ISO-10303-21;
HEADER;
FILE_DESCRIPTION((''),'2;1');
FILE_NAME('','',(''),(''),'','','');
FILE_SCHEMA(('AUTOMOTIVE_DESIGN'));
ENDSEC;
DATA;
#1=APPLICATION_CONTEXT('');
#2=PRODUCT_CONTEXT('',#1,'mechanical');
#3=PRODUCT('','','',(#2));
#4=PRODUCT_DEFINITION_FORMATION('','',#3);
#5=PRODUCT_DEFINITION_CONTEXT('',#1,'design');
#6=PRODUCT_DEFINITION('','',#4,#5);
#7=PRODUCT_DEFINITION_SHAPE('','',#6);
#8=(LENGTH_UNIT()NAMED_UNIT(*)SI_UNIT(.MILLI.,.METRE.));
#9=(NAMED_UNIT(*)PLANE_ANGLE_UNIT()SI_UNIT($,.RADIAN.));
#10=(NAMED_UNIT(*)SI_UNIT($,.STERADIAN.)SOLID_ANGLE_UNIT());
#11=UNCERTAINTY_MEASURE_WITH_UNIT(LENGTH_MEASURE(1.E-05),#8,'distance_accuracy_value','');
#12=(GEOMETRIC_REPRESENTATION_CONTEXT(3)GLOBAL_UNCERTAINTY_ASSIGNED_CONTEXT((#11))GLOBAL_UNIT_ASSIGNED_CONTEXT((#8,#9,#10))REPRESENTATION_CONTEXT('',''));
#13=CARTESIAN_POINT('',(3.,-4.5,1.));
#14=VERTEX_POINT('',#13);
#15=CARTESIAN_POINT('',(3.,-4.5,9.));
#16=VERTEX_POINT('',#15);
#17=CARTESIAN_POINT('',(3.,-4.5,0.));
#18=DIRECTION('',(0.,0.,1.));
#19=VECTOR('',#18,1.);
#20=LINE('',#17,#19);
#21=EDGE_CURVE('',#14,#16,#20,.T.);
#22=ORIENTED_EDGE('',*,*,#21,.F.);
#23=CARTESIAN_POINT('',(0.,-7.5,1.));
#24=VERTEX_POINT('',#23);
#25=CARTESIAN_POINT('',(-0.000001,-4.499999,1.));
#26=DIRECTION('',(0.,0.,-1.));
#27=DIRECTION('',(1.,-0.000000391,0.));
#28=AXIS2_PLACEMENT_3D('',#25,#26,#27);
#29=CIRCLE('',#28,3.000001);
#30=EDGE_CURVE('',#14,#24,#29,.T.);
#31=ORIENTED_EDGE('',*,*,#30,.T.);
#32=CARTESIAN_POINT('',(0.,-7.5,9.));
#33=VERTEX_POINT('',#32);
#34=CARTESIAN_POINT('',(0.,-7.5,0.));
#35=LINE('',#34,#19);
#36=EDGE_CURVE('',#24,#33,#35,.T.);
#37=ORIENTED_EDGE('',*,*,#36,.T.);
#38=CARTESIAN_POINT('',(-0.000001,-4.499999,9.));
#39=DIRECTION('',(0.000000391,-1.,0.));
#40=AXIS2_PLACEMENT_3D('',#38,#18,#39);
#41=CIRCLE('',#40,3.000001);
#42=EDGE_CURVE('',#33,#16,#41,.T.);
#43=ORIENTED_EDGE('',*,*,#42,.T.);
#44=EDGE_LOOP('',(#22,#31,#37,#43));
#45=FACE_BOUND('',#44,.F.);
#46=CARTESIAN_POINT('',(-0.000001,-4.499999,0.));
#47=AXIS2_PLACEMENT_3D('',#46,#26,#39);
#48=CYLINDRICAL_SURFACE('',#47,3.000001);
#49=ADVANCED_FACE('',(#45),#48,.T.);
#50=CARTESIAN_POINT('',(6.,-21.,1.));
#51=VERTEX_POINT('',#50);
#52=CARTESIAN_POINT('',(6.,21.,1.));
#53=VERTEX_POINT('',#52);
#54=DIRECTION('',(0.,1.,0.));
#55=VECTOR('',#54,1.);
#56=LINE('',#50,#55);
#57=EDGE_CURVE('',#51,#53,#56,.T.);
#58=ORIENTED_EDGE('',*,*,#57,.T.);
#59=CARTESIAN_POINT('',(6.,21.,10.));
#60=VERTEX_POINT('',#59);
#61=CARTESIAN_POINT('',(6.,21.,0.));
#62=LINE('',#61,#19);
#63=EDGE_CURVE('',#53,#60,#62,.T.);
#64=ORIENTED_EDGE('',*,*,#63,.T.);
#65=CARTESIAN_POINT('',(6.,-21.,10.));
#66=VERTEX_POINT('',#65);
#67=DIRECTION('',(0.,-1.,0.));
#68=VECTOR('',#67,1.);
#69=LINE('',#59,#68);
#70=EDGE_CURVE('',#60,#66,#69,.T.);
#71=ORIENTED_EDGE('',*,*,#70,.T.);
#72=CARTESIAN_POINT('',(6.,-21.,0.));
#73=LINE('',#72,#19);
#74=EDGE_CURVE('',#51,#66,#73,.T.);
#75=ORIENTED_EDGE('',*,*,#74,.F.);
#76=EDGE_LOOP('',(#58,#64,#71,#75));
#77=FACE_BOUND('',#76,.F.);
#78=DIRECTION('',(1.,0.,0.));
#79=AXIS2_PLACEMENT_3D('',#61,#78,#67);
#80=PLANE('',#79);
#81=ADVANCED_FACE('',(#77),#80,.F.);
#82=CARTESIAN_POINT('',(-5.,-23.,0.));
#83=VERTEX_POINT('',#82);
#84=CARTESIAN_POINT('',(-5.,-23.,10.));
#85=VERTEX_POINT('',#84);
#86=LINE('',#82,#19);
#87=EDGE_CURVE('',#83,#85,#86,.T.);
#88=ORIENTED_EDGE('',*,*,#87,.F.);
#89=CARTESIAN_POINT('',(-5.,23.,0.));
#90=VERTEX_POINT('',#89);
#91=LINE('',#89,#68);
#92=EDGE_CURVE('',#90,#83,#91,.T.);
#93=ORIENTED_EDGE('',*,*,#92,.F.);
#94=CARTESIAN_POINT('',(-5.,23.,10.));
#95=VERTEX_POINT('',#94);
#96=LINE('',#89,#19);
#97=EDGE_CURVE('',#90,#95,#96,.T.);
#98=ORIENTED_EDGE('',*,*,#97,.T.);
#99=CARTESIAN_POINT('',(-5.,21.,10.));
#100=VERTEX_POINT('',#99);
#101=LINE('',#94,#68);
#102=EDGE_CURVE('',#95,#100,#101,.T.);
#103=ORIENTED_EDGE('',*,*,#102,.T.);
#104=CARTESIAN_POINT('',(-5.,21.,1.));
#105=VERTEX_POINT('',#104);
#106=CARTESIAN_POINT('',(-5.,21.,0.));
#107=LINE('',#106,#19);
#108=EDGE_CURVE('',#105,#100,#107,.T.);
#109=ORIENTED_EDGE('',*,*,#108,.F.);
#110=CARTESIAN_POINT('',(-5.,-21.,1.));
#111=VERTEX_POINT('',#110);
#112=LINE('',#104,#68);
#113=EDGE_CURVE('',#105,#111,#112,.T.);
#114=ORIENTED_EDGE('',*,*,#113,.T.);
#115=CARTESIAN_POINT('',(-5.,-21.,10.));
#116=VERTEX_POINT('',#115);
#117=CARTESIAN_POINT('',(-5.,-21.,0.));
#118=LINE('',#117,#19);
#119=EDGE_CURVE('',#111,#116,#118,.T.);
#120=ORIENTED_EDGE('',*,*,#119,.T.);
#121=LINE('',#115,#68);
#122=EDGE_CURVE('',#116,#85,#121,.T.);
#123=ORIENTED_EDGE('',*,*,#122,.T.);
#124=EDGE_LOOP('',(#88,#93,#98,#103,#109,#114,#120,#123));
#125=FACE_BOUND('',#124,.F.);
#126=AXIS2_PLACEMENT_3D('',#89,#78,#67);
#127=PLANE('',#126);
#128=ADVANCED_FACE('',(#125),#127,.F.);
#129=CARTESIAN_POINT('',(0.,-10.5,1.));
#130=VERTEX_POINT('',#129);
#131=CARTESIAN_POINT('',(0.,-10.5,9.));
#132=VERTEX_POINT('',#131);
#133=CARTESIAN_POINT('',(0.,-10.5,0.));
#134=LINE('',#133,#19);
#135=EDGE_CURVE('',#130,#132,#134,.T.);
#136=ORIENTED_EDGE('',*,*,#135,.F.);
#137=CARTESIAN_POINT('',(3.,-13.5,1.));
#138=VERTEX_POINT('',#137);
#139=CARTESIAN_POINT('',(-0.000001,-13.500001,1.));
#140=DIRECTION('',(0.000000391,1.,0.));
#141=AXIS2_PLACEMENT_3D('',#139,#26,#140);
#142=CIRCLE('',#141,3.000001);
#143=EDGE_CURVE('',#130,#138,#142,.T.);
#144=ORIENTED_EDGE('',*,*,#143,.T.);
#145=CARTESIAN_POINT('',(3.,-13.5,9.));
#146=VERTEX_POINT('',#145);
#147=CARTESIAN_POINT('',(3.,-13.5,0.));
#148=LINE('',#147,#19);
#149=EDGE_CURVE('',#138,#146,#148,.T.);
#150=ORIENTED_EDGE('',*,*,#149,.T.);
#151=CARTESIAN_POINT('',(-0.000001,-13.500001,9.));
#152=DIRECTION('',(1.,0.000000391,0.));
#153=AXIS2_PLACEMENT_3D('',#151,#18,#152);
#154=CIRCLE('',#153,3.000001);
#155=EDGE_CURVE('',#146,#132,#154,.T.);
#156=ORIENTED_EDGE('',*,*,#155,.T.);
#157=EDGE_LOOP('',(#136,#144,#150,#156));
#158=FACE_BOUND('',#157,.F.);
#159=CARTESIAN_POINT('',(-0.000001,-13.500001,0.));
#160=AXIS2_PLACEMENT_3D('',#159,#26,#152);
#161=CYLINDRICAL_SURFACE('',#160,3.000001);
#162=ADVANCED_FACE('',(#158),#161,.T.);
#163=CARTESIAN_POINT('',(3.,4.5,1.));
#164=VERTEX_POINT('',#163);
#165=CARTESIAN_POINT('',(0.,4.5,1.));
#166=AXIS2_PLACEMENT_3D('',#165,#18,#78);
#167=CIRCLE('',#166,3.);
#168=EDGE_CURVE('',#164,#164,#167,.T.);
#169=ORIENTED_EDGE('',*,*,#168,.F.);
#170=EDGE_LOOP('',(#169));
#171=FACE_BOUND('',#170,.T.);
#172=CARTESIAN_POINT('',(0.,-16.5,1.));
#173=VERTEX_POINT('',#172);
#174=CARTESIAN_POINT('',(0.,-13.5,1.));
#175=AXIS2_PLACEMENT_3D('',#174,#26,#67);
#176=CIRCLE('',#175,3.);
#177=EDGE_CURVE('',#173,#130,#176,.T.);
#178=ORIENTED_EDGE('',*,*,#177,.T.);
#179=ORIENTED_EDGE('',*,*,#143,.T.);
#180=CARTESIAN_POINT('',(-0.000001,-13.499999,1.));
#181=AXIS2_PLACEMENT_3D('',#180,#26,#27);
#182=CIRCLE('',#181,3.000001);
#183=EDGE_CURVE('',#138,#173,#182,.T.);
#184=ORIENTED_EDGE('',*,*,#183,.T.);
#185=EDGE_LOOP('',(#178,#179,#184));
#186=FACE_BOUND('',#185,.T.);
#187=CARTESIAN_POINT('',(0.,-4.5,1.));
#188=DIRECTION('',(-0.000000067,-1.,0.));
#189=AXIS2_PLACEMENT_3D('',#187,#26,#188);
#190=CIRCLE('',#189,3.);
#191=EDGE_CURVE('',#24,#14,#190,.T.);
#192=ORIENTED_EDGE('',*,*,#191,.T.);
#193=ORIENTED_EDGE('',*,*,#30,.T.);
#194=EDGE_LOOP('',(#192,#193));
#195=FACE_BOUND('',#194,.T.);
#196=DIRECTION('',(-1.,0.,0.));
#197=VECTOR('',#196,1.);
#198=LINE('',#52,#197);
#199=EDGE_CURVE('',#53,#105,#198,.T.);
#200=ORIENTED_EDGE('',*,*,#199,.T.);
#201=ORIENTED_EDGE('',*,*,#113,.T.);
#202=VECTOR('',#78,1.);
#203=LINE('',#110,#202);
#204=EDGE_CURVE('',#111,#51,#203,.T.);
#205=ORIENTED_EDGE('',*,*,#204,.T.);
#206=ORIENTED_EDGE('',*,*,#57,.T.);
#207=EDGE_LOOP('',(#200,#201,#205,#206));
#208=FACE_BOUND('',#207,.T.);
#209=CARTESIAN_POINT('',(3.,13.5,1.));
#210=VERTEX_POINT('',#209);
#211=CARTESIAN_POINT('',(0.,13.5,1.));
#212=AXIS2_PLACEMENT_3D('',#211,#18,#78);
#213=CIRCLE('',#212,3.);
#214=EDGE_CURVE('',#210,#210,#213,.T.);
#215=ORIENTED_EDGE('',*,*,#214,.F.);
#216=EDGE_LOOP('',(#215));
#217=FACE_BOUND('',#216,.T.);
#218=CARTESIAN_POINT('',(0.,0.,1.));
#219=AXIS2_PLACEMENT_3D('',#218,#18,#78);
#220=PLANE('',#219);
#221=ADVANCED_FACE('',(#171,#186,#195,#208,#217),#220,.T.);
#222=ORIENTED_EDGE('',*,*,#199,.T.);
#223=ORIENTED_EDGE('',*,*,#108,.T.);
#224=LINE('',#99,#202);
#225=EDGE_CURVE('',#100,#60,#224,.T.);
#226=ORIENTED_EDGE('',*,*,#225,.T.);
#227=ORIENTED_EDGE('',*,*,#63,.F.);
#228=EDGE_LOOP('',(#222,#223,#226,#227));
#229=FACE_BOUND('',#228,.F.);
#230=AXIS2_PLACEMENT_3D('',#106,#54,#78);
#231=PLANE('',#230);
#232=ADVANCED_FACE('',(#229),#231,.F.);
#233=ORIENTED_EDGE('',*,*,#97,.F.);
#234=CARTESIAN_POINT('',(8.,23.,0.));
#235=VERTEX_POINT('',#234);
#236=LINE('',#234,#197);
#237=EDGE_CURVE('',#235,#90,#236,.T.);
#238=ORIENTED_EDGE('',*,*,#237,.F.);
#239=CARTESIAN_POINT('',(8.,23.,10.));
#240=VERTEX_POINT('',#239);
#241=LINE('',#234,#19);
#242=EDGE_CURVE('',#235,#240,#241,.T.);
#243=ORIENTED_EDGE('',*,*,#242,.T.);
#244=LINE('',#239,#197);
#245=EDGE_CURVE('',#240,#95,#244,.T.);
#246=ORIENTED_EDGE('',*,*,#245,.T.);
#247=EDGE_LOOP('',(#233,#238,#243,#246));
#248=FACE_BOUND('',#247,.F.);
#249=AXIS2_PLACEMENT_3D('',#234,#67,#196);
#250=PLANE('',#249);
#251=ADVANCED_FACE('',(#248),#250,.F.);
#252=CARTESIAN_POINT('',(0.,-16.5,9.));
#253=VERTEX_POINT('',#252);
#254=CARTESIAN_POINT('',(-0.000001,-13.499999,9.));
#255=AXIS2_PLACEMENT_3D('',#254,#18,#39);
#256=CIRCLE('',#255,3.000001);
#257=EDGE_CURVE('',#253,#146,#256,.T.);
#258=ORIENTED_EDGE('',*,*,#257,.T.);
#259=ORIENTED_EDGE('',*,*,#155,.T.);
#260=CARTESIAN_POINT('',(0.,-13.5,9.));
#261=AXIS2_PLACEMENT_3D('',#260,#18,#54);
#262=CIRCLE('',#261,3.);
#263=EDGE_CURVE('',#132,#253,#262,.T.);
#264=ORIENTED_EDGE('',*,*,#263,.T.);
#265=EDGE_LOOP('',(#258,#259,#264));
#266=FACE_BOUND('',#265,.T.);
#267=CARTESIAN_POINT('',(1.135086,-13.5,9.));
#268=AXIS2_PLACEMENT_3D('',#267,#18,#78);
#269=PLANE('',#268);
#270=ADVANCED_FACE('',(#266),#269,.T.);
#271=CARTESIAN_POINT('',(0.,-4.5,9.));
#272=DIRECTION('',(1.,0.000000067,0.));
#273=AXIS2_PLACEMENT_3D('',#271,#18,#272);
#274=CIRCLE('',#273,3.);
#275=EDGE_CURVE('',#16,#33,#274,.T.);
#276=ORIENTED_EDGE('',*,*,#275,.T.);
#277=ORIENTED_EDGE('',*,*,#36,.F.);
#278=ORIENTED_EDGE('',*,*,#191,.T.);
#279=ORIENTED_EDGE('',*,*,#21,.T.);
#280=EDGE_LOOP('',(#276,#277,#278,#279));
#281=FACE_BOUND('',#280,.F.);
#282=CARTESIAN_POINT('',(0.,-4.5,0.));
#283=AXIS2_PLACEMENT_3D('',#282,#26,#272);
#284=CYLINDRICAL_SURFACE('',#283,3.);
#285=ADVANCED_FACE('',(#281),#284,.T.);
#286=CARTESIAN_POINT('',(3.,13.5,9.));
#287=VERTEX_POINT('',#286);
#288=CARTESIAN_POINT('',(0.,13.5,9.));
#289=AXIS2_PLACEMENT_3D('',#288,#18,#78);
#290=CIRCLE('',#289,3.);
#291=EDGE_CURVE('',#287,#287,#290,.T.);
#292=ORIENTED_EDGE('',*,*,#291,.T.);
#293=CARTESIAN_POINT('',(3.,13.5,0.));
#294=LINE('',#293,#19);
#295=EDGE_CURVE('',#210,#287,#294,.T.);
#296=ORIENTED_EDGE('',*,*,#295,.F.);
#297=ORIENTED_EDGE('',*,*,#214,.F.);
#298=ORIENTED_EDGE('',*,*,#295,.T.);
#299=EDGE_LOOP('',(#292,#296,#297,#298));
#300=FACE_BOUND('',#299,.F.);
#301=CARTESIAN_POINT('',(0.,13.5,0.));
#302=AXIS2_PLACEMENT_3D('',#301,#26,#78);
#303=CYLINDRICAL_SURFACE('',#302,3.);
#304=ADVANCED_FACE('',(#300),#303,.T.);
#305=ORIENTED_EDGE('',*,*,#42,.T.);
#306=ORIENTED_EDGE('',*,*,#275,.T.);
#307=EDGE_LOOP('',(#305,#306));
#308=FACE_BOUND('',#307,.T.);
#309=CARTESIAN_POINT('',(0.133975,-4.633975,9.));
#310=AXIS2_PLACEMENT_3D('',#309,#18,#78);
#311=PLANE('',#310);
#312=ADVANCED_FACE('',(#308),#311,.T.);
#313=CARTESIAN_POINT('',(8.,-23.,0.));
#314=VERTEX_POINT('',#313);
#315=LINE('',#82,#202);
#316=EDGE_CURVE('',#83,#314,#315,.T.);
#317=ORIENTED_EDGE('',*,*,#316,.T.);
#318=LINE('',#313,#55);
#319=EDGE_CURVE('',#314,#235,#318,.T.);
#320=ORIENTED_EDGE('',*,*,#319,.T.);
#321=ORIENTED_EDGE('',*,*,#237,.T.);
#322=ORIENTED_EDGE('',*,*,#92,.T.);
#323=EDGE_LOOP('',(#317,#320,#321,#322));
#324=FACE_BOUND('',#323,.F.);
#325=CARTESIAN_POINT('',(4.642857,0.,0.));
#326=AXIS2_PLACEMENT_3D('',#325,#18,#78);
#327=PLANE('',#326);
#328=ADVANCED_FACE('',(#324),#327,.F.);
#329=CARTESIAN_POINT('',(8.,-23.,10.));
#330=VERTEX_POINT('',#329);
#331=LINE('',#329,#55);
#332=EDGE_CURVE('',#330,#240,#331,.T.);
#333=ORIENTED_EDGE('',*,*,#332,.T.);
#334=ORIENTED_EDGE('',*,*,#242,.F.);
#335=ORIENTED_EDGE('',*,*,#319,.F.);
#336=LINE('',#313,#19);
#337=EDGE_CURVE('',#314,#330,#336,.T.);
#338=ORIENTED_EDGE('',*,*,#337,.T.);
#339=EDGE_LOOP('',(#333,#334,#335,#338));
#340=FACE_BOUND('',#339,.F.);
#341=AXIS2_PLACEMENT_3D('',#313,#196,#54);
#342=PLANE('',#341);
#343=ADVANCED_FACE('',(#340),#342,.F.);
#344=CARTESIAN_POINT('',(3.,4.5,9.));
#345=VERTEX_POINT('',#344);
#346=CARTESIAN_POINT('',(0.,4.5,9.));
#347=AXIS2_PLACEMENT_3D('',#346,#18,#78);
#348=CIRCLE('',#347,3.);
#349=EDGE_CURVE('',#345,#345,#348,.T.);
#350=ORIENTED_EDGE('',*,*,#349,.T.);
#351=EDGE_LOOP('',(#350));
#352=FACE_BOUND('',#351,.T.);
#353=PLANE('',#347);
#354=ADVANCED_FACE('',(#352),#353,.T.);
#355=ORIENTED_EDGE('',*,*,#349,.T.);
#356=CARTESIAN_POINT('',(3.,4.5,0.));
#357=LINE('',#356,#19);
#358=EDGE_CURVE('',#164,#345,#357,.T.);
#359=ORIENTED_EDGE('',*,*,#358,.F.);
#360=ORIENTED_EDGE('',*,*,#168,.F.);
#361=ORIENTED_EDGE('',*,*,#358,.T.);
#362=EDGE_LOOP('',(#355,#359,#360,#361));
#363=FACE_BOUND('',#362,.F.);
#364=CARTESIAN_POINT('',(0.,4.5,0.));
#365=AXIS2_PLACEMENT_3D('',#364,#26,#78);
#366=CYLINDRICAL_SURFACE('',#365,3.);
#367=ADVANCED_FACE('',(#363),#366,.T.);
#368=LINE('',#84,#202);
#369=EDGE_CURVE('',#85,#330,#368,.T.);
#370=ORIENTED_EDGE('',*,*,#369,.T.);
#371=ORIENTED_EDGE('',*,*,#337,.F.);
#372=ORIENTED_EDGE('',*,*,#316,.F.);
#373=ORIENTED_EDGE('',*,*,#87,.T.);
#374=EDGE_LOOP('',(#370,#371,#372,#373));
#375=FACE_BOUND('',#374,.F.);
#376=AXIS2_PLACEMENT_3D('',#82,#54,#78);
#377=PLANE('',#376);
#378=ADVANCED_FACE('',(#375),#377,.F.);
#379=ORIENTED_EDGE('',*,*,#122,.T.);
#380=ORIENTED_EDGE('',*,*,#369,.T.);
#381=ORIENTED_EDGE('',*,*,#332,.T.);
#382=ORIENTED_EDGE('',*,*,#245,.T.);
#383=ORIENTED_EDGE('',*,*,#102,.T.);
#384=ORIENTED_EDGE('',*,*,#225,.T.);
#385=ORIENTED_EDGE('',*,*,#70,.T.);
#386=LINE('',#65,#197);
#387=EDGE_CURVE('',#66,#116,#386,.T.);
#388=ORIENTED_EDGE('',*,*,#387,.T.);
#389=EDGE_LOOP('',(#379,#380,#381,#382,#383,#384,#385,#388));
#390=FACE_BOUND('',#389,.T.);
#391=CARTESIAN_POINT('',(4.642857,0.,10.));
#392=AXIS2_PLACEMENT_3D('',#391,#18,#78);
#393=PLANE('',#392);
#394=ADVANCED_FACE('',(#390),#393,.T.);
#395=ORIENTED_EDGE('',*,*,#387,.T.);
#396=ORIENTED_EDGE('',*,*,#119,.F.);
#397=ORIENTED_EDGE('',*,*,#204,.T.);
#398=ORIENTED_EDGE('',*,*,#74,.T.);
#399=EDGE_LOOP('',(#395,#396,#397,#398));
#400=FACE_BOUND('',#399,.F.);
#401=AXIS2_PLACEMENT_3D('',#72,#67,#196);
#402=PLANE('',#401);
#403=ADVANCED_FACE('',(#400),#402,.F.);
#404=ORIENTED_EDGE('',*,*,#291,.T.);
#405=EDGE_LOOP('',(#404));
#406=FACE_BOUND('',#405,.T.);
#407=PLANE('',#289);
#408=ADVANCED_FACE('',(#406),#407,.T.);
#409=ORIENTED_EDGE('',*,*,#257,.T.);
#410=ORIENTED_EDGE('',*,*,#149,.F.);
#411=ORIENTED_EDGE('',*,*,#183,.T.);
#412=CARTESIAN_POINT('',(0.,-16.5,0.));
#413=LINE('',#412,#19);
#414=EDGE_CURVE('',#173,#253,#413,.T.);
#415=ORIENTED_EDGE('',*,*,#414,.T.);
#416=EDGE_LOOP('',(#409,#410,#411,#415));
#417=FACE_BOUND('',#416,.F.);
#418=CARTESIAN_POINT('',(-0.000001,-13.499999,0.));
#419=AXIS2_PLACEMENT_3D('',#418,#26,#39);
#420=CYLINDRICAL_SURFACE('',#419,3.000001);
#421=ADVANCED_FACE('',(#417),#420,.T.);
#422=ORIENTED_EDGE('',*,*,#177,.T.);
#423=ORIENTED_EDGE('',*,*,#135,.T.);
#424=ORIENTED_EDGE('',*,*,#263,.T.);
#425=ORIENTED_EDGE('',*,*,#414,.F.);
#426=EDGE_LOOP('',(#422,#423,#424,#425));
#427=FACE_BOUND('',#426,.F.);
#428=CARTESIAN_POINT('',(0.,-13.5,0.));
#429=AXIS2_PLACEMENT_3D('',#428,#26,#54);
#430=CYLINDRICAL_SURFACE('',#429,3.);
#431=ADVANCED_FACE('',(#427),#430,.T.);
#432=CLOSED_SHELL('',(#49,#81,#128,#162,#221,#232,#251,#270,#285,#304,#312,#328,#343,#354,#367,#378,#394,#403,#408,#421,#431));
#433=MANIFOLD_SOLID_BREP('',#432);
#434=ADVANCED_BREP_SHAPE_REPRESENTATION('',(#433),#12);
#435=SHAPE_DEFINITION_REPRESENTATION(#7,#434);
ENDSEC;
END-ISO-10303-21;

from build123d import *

# Parameters (mm, degrees)
F0_R     = 3
F1_DEPTH = 1
F2_DEPTH = 10
F3_DEPTH = 9


with BuildPart() as f1:
    # F0 (on Top) → F1 (new body)
    with BuildSketch(Plane.XY):
        Polygon((5, -20), (5, 20), (-5, 20), (-5, -20), (0, -20), align=None)
        with BuildLine():
            ThreePointArc((3, -13.5), (2.12132, -15.62132), (0, -16.5))
            ThreePointArc((0, -16.5), (-3, -13.5), (0, -10.5))
            ThreePointArc((0, -10.5), (2.12132, -11.37868), (3, -13.5))
        make_face(mode=Mode.SUBTRACT)
        with BuildLine():
            ThreePointArc((3, -4.5), (2.12132, -6.62132), (0, -7.5))
            ThreePointArc((0, -7.5), (-2.12132, -2.37868), (3, -4.5))
        make_face(mode=Mode.SUBTRACT)
        with Locations((0, 4.5)):
            Circle(F0_R, mode=Mode.SUBTRACT)
        with Locations((0, 13.5)):
            Circle(F0_R, mode=Mode.SUBTRACT)
        Polygon((-5, 20), (5, 20), (5, -20), (0, -20), (-5, -20), (-5, -21), (6, -21), (6, 21), (-5, 21), align=None)
    extrude(amount=F1_DEPTH)

    # F0 (on Top) → F2 (join)
    with BuildSketch(Plane.XY):
        Polygon((-5, 23), (-5, 21), (6, 21), (6, -21), (-5, -21), (-5, -23), (8, -23), (8, 23), align=None)
    extrude(amount=F2_DEPTH)

    # F0 (on Top) → F3 (join)
    with BuildSketch(Plane.XY):
        with Locations((0, 13.5)):
            Circle(F0_R)
        with Locations((0, 4.5)):
            Circle(F0_R)
        with BuildLine():
            ThreePointArc((3, -4.5), (-2.12132, -2.37868), (0, -7.5))
            ThreePointArc((0, -7.5), (2.12132, -6.62132), (3, -4.5))
        make_face()
        with BuildLine():
            Line((0, -13.5), (0, -16.5))
            ThreePointArc((0, -16.5), (2.12132, -15.62132), (3, -13.5))
            ThreePointArc((3, -13.5), (2.12132, -11.37868), (0, -10.5))
            Line((0, -10.5), (0, -13.5))
        make_face()
        with BuildLine():
            ThreePointArc((0, -10.5), (-3, -13.5), (0, -16.5))
            Line((0, -16.5), (0, -13.5))
            Line((0, -13.5), (0, -10.5))
        make_face()
    extrude(amount=F3_DEPTH)


solid = f1.part
